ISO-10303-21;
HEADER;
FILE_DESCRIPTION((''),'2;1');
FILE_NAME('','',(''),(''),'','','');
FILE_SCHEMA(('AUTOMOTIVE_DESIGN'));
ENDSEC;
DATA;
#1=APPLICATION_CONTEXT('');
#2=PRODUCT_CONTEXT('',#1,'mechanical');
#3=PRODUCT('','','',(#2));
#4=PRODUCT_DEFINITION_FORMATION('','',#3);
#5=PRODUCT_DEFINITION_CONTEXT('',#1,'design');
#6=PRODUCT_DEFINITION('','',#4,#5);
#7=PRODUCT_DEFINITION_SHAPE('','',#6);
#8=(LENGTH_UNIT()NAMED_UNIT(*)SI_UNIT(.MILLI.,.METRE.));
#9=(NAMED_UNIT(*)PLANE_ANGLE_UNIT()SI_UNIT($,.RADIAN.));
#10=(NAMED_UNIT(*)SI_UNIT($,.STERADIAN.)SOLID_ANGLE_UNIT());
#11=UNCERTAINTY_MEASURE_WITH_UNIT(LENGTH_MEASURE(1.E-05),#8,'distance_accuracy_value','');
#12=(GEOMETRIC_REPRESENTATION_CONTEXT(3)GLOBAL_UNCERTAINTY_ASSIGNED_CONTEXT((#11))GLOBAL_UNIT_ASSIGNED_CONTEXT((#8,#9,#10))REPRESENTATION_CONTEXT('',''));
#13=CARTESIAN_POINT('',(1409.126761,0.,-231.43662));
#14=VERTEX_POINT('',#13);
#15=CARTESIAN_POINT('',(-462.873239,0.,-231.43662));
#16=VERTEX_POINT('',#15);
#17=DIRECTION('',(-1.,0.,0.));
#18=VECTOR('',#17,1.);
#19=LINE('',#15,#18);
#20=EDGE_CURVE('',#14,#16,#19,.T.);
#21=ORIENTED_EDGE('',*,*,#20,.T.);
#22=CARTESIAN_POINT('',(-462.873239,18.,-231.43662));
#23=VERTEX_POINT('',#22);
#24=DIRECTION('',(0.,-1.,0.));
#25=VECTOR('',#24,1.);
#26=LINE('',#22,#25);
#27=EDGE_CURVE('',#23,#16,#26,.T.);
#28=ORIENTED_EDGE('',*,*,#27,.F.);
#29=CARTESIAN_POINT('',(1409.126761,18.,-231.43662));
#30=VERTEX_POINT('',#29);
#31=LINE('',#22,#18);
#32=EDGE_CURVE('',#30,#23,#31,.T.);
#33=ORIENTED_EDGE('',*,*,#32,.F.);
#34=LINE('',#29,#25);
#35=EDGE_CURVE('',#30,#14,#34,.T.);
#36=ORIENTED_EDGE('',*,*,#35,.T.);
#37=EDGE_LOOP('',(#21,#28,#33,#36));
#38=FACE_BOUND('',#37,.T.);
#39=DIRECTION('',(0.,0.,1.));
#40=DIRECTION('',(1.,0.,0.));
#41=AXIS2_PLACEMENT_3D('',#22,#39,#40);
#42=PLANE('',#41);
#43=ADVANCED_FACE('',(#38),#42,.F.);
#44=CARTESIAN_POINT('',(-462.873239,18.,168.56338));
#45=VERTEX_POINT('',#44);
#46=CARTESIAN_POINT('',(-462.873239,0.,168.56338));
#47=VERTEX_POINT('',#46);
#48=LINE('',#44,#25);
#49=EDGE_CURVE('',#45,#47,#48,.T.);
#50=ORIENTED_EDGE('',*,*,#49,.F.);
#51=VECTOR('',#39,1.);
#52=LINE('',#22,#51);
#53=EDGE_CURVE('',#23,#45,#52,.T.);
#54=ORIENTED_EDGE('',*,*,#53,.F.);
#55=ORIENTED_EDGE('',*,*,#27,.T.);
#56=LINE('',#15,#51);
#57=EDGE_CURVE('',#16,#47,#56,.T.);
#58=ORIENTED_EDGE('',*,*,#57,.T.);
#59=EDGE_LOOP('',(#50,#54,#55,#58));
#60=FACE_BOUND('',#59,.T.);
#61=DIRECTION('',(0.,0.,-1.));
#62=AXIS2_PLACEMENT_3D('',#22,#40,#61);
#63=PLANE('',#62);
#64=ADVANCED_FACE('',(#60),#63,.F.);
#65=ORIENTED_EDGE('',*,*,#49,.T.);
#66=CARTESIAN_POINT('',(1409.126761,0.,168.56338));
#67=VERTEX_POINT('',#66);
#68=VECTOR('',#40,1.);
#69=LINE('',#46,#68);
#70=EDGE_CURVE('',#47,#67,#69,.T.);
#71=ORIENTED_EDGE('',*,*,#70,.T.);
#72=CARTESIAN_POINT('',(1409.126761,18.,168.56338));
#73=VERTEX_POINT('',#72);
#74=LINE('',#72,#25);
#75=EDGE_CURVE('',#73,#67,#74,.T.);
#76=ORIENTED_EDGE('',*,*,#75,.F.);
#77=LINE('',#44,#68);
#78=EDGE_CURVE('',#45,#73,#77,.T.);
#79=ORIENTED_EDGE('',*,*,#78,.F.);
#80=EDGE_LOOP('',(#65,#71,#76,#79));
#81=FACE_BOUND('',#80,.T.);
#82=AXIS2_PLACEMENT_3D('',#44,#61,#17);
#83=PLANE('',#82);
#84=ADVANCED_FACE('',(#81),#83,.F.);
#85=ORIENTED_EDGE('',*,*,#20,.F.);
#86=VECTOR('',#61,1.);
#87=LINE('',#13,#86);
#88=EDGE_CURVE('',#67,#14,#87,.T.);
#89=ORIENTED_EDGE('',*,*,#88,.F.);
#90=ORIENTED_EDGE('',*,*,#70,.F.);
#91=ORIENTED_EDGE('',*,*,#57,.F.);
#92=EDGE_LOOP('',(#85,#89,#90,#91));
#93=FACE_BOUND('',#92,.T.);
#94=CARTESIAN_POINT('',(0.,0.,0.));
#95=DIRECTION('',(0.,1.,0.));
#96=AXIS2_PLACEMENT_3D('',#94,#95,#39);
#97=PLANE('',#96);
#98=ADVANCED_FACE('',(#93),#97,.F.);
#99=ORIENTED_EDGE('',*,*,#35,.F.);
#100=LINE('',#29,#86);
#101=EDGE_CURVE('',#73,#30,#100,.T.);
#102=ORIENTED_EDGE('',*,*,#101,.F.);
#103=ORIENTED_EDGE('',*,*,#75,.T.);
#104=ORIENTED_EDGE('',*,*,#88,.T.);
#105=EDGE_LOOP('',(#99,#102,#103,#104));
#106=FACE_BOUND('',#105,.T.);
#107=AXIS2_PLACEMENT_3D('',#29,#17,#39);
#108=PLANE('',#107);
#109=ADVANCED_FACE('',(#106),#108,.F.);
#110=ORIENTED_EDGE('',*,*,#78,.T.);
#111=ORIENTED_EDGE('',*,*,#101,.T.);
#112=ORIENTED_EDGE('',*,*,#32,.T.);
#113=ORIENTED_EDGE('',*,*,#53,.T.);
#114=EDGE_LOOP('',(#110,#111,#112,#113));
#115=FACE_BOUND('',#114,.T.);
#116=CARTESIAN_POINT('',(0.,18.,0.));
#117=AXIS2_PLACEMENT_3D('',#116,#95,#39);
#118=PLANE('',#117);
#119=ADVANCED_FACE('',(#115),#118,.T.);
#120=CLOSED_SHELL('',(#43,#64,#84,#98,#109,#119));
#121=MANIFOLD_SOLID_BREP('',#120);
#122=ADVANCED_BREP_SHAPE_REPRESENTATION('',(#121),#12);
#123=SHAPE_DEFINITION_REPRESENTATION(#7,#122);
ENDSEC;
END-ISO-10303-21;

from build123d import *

# Parameters (mm, degrees)
SKETCH_1_W      = 1872
SKETCH_1_H      = 400
EXTRUDE_1_DEPTH = 18


with BuildPart() as part:
    # 草图1 → 凸台-拉伸1 (new body)
    with BuildSketch(Plane(origin=(0, 0, 0), x_dir=(1, 0, 0), z_dir=(0, 1, 0))):
        with Locations((473.126760563, 31.436619718)):
            Rectangle(SKETCH_1_W, SKETCH_1_H)
    extrude(amount=EXTRUDE_1_DEPTH)


solid = part.part
